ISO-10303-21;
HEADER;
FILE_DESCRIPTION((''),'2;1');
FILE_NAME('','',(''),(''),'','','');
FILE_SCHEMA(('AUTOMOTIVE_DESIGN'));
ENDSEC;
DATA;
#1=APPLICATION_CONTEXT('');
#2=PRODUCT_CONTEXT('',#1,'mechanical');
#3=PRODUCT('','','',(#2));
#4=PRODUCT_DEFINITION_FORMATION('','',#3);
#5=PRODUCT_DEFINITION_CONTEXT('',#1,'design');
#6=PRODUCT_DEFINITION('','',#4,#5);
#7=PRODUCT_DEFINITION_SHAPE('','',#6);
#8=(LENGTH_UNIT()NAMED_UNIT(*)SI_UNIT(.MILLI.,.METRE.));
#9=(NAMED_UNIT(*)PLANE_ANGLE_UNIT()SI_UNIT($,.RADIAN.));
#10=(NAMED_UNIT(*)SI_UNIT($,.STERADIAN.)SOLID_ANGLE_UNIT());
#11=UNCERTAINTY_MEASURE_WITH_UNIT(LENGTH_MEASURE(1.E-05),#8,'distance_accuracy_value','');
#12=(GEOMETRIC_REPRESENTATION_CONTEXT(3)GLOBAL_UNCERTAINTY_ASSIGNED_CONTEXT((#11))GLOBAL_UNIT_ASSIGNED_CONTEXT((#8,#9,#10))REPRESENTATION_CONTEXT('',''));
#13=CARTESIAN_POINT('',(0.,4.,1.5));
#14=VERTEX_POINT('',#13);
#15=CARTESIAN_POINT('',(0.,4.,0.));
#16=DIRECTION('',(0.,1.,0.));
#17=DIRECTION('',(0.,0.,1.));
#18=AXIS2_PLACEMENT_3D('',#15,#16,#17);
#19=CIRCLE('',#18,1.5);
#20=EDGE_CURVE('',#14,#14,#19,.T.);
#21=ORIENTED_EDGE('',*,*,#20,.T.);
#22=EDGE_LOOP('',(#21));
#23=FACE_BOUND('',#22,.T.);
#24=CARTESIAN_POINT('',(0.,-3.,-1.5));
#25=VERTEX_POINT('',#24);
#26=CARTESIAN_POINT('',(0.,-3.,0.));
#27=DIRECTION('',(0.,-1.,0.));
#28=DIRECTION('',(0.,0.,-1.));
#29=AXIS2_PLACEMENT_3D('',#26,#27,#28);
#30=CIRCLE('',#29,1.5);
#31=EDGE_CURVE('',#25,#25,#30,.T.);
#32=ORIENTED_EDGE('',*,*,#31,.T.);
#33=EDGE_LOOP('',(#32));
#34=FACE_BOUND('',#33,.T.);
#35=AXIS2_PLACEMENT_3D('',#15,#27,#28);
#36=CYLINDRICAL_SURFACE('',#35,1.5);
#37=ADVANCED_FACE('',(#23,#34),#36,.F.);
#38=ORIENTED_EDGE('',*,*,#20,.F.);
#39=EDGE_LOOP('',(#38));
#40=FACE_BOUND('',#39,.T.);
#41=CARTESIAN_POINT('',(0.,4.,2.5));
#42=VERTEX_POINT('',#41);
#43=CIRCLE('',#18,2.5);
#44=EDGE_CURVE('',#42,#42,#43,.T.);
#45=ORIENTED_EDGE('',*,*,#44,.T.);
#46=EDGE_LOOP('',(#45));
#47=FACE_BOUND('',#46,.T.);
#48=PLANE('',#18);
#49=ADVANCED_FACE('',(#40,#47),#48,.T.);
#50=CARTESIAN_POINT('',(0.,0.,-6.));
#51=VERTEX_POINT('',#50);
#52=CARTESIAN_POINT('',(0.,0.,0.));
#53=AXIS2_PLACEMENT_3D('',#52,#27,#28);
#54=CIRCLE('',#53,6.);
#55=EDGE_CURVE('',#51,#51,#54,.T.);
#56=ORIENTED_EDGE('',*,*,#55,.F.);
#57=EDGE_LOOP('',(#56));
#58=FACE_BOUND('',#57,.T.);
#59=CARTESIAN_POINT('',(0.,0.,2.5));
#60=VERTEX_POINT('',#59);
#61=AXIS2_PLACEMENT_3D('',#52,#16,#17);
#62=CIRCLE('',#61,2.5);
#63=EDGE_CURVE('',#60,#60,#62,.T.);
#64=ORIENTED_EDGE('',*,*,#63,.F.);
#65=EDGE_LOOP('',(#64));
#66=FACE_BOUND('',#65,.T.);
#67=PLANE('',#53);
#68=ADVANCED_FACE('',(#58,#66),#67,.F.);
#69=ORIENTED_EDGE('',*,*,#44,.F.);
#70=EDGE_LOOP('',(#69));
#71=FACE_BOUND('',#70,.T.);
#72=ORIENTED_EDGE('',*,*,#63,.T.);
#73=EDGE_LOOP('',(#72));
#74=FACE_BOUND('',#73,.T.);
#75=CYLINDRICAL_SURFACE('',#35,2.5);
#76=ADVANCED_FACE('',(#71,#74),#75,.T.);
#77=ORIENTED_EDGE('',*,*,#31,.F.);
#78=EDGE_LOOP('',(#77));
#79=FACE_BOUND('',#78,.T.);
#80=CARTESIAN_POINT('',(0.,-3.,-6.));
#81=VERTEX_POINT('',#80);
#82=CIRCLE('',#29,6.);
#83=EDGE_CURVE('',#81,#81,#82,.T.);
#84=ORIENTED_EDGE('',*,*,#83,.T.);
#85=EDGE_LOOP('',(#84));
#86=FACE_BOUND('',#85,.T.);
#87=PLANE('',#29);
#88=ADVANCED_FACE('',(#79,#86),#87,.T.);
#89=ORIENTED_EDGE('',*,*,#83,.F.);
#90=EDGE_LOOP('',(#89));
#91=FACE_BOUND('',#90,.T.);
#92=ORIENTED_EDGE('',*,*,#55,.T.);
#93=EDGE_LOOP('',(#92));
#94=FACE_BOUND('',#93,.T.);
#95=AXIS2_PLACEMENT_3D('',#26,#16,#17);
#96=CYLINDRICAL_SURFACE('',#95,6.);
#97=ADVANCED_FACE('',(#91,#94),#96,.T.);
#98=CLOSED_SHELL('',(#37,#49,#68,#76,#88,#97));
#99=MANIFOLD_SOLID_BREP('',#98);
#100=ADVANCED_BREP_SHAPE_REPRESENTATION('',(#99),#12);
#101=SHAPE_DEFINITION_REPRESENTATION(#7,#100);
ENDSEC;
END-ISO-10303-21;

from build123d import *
from build123d.topology import SkipClean

# Parameters (mm, degrees)
SKETCH_1_R      = 2.5
SKETCH_1_R_2    = 1.5
EXTRUDE_1_DEPTH = 4
EXTRUDE_START   = 3
SKETCH_2_R      = 6
SKETCH_2_R_2    = 1.5
EXTRUDE_2_DEPTH = 3


with BuildPart() as part:
    # 草图1 → 凸台-拉伸1 (new body)
    with BuildSketch(Plane(origin=(0, 0, 0), x_dir=(1, 0, 0), z_dir=(0, 1, 0))):
        with Locations(Location((0, 0, 0), (0, 0, 270))):
            Circle(SKETCH_1_R)
        with Locations(Location((0, 0, 0), (0, 0, 270))):
            Circle(SKETCH_1_R_2, mode=Mode.SUBTRACT)
    extrude(amount=EXTRUDE_1_DEPTH)

    # 草图2 → 凸台-拉伸2 (add)
    with SkipClean():  # the faces are left unmerged after this step: merging them gives an invalid solid
        with BuildSketch(Plane.XZ.offset(EXTRUDE_START)):
            with Locations(Location((0, 0, 0), (0, 0, 270))):
                Circle(SKETCH_2_R)
            with Locations(Location((0, 0, 0), (0, 0, 270))):
                Circle(SKETCH_2_R_2, mode=Mode.SUBTRACT)
        extrude(amount=-EXTRUDE_2_DEPTH)


solid = part.part
